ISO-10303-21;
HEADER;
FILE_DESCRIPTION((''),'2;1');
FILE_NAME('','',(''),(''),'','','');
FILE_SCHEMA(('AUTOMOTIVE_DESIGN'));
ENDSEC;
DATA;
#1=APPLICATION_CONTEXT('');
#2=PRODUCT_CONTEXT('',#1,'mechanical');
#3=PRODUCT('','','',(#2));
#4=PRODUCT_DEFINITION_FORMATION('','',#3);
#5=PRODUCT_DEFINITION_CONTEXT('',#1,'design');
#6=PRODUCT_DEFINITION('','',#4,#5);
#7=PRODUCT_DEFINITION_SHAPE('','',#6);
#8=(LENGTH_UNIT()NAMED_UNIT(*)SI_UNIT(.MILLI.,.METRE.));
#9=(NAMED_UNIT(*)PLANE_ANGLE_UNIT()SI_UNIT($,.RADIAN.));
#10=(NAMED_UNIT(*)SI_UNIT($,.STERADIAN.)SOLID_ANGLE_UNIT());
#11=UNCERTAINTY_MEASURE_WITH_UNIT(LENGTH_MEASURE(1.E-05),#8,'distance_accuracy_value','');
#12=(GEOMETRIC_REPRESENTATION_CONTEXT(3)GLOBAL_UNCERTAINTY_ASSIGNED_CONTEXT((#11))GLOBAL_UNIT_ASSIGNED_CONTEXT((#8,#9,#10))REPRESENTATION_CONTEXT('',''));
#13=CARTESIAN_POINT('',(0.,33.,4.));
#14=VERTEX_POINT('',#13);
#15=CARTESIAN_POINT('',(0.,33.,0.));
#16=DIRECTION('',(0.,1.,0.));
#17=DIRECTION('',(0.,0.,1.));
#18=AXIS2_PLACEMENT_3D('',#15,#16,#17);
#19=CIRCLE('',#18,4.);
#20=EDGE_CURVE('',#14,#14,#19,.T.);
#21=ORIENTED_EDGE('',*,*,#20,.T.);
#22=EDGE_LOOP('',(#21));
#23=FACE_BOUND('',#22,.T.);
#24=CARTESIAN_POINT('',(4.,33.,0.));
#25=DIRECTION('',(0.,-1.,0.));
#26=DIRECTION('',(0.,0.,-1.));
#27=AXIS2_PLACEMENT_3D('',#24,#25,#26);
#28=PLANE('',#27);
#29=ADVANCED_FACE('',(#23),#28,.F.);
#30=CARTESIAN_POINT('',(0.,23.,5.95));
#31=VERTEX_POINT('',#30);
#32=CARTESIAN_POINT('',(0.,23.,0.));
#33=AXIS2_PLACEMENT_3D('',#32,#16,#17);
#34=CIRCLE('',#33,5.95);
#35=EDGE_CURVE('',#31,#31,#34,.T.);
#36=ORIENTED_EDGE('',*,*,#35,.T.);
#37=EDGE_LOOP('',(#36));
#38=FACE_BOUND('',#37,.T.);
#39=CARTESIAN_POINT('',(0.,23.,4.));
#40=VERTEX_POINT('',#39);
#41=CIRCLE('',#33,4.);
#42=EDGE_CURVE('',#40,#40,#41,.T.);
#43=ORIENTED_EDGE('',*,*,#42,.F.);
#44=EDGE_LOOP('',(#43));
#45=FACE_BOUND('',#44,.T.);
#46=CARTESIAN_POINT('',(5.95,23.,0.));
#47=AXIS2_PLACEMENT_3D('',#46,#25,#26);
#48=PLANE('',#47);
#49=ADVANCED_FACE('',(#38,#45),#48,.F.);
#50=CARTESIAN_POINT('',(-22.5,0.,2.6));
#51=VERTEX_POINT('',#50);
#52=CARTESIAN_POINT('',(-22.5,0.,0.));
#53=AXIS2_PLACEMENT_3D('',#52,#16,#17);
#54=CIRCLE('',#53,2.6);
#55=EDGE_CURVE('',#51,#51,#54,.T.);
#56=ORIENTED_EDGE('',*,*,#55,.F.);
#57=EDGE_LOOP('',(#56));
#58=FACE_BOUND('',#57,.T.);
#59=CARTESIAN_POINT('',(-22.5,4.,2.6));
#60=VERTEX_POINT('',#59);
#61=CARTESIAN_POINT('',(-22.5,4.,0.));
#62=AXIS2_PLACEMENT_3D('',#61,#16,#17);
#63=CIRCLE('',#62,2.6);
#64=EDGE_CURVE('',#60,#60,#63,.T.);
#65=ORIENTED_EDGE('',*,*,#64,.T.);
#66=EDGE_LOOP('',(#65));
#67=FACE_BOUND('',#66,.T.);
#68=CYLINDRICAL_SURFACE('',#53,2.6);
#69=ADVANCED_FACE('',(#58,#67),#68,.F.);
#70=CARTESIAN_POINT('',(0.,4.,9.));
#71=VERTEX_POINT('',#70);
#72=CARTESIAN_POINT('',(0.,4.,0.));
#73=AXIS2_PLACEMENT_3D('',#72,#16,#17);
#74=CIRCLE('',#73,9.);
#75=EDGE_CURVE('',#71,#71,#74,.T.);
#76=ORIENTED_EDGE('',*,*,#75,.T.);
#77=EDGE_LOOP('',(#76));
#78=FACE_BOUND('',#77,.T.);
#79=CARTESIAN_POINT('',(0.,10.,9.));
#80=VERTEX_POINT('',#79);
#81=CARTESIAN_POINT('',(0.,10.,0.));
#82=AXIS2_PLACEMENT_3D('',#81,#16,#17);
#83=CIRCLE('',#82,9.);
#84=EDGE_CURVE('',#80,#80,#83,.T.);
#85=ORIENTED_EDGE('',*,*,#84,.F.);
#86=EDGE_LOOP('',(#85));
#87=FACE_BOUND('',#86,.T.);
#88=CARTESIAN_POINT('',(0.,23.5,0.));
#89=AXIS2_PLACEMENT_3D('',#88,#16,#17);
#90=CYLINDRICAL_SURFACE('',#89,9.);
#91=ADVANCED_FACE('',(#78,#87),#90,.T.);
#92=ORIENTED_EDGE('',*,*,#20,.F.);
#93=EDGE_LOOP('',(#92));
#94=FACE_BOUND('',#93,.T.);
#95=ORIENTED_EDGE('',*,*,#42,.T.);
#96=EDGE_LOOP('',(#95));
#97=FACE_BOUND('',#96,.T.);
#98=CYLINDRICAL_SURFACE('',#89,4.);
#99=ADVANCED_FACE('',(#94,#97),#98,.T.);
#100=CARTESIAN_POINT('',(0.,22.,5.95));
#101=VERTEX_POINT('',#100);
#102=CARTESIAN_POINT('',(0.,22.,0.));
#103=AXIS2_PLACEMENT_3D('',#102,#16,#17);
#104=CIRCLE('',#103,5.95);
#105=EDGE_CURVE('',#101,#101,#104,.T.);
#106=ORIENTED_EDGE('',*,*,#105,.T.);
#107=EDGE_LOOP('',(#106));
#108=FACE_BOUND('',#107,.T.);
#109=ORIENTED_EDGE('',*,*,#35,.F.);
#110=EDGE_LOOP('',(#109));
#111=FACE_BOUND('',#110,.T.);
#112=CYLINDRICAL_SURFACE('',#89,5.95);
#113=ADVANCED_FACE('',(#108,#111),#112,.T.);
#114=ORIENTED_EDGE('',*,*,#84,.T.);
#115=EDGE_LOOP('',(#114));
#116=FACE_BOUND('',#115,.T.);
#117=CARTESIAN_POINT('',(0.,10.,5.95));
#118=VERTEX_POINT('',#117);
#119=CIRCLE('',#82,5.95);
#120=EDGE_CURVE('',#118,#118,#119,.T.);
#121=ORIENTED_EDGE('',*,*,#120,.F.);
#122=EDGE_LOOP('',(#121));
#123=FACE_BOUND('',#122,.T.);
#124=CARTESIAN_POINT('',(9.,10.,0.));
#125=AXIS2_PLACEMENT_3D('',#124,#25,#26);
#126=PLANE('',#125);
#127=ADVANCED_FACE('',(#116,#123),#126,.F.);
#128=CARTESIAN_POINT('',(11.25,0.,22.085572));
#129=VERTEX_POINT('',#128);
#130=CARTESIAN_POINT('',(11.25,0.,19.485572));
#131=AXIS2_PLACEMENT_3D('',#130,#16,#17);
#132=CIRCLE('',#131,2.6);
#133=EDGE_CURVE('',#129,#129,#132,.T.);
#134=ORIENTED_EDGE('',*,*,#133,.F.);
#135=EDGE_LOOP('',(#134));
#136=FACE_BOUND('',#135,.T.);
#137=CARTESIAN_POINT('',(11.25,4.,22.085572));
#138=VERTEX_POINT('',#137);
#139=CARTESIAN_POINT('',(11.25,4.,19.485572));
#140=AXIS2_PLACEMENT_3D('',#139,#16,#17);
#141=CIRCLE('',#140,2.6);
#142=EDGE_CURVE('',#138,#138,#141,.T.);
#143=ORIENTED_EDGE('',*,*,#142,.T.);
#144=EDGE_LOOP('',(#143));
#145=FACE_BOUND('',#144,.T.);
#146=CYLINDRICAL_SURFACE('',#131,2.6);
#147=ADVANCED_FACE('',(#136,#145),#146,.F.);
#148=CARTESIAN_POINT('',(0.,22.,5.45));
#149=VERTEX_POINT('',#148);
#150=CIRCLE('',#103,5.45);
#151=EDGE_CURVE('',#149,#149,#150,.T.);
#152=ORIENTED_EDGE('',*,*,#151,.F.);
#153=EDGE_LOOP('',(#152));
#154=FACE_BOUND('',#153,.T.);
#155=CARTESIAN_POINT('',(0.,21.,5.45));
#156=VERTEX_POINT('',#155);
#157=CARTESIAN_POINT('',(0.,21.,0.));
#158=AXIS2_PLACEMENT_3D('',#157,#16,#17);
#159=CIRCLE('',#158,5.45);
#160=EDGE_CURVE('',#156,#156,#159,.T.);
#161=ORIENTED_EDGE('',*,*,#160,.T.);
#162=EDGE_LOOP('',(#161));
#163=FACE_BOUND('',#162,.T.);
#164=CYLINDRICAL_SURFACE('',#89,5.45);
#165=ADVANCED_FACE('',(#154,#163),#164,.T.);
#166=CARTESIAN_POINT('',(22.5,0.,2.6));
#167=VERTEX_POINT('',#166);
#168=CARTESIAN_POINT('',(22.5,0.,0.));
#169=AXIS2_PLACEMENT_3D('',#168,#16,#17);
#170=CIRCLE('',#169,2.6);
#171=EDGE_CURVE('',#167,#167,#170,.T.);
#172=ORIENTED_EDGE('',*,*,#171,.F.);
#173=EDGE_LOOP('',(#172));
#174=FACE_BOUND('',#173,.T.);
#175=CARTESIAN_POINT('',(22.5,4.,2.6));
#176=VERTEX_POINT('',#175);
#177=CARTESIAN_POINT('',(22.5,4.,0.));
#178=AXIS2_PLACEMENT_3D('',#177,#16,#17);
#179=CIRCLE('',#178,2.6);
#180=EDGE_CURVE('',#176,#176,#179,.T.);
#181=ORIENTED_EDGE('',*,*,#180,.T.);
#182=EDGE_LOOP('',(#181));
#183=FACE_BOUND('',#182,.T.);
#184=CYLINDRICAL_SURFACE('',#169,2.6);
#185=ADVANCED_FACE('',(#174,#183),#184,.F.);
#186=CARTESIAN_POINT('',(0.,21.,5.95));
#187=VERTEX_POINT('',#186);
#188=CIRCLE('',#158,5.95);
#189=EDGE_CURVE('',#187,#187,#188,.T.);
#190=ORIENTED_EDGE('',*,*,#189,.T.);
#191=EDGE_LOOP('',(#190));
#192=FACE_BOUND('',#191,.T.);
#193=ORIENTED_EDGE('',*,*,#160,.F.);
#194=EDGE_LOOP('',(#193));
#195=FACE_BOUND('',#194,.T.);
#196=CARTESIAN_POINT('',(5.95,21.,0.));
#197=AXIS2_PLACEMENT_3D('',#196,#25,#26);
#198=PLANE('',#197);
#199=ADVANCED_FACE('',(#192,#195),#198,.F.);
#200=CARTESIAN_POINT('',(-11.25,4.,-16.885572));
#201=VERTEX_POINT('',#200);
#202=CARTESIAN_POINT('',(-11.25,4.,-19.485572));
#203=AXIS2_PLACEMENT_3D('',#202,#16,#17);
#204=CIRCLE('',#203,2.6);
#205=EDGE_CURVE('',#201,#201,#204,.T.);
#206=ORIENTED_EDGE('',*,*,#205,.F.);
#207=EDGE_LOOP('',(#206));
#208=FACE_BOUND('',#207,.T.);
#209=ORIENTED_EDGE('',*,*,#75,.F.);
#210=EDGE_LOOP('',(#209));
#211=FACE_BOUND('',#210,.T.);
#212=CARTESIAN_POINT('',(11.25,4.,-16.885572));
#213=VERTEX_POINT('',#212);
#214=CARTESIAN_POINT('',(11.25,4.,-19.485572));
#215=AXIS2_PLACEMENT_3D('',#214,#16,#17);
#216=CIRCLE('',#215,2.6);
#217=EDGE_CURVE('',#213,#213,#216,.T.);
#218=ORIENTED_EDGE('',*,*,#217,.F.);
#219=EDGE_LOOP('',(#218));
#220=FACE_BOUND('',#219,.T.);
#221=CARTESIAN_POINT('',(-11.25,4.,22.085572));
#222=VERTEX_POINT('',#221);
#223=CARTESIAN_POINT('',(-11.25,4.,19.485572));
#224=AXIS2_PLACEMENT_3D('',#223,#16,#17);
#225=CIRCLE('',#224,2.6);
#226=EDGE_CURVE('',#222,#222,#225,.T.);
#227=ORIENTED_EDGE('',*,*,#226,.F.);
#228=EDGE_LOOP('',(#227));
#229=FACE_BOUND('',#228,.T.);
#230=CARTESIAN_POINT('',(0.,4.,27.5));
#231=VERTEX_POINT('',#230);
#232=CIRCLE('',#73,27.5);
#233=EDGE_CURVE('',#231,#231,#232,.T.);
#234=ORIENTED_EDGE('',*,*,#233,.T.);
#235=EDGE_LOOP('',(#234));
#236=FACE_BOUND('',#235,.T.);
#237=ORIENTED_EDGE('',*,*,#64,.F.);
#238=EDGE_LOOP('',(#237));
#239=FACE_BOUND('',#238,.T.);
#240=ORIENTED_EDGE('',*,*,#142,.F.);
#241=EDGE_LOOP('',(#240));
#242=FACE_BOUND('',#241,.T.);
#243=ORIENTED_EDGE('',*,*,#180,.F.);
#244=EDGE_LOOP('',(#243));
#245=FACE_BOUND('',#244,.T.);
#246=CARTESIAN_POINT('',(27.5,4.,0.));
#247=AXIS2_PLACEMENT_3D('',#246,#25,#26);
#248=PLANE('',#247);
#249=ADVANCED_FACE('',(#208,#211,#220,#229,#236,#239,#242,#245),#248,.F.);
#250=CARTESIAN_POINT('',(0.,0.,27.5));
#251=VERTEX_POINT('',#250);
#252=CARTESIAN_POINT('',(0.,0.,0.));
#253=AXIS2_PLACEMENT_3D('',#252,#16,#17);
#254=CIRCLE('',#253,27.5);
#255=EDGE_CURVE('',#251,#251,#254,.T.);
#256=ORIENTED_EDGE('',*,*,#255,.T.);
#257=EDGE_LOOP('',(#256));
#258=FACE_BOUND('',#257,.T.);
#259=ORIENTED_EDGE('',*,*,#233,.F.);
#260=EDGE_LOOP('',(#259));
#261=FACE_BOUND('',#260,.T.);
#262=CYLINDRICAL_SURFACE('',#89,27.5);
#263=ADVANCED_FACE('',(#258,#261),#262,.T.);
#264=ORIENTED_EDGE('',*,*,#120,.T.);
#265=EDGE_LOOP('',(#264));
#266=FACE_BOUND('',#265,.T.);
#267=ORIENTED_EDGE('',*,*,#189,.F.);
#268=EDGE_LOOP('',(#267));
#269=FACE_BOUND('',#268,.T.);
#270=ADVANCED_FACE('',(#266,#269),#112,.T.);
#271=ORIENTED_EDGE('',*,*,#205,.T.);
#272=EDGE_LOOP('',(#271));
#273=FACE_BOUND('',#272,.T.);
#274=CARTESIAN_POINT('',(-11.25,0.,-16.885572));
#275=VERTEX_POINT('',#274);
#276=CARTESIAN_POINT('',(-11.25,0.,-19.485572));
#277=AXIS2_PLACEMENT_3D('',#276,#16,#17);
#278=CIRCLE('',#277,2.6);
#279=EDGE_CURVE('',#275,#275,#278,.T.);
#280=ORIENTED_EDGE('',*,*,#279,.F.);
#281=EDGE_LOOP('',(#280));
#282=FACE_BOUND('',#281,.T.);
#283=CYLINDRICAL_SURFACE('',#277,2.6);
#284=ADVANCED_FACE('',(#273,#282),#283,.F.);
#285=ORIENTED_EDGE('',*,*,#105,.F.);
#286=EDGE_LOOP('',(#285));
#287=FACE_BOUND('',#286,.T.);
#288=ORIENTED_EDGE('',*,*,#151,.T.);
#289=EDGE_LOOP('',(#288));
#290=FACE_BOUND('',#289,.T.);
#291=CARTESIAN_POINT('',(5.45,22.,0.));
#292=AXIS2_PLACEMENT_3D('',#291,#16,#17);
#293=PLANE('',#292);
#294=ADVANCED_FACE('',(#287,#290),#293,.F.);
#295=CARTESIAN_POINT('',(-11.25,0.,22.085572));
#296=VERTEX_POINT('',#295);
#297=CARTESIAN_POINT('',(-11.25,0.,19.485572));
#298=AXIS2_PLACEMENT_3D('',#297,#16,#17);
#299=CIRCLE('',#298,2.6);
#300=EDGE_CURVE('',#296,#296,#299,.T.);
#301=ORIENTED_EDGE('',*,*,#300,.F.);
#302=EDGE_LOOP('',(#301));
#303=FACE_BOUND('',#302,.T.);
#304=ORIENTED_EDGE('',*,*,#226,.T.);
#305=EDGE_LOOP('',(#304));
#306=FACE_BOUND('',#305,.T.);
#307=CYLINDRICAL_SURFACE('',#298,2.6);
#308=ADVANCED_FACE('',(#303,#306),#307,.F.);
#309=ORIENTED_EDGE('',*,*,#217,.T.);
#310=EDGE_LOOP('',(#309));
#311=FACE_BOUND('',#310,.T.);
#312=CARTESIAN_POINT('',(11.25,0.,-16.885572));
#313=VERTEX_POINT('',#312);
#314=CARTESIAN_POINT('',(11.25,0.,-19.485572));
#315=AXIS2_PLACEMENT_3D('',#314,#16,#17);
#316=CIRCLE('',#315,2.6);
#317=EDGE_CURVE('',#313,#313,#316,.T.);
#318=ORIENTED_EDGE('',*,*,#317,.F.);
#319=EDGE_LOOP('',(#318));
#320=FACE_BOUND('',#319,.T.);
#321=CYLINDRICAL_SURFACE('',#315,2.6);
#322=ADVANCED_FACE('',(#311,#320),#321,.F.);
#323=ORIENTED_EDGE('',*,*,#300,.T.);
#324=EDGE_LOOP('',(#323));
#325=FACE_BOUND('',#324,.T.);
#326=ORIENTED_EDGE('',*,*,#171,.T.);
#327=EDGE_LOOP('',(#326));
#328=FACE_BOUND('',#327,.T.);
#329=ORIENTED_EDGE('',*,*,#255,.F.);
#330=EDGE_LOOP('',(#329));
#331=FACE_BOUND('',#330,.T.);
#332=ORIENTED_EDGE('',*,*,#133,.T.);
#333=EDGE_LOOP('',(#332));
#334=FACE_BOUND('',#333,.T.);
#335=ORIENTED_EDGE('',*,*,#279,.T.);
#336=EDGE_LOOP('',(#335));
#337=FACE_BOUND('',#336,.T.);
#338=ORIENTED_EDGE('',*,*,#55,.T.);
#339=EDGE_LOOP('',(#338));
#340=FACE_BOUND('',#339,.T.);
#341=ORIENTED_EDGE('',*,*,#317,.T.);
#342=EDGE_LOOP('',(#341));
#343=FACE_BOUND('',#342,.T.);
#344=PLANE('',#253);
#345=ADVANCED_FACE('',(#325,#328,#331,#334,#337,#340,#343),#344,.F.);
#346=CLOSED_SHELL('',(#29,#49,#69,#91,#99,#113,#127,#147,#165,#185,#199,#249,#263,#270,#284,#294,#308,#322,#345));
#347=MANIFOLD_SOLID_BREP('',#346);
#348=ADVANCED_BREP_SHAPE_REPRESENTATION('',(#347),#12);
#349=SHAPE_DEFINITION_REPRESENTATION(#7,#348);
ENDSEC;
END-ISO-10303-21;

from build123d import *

# Parameters (mm, degrees)
SKETCH_2_R          = 2.6
CUT_EXTRUDE_1_DEPTH = 49.512884886


with BuildPart() as part:
    # 草图1 → 旋转1 (revolve)
    with BuildSketch(Plane.XY, mode=Mode.PRIVATE) as revolve_1_sk:
        Polygon((0, 0), (27.5, 0), (27.5, 4), (9, 4), (9, 10), (5.95, 10), (5.95, 21), (5.45, 21), (5.45, 22), (5.95, 22), (5.95, 23), (4, 23), (4, 33), (0, 33), (0, 23.5), align=None)
    revolve(revolve_1_sk.sketch.rotate(Axis((0, 23.5, 0), (0, -1, 0)), 90), axis=Axis((0, 23.5, 0), (0, -1, 0)))

    # 草图2 → 切除-拉伸1 (cut, through all)
    with BuildSketch(Plane(origin=(0, 4, 0), x_dir=(1, 0, 0), z_dir=(0, 1, 0))):
        with Locations(Location((22.5, 0, 0), (0, 0, 270))):
            Circle(SKETCH_2_R)
        with Locations(Location((11.25, -19.485571585, 0), (0, 0, 270))):
            Circle(SKETCH_2_R)
        with Locations(Location((-11.25, -19.485571585, 0), (0, 0, 270))):
            Circle(SKETCH_2_R)
        with Locations(Location((-22.5, 0, 0), (0, 0, 270))):
            Circle(SKETCH_2_R)
        with Locations(Location((-11.25, 19.485571585, 0), (0, 0, 270))):
            Circle(SKETCH_2_R)
        with Locations(Location((11.25, 19.485571585, 0), (0, 0, 270))):
            Circle(SKETCH_2_R)
    extrude(amount=-CUT_EXTRUDE_1_DEPTH, mode=Mode.SUBTRACT)


solid = part.part
